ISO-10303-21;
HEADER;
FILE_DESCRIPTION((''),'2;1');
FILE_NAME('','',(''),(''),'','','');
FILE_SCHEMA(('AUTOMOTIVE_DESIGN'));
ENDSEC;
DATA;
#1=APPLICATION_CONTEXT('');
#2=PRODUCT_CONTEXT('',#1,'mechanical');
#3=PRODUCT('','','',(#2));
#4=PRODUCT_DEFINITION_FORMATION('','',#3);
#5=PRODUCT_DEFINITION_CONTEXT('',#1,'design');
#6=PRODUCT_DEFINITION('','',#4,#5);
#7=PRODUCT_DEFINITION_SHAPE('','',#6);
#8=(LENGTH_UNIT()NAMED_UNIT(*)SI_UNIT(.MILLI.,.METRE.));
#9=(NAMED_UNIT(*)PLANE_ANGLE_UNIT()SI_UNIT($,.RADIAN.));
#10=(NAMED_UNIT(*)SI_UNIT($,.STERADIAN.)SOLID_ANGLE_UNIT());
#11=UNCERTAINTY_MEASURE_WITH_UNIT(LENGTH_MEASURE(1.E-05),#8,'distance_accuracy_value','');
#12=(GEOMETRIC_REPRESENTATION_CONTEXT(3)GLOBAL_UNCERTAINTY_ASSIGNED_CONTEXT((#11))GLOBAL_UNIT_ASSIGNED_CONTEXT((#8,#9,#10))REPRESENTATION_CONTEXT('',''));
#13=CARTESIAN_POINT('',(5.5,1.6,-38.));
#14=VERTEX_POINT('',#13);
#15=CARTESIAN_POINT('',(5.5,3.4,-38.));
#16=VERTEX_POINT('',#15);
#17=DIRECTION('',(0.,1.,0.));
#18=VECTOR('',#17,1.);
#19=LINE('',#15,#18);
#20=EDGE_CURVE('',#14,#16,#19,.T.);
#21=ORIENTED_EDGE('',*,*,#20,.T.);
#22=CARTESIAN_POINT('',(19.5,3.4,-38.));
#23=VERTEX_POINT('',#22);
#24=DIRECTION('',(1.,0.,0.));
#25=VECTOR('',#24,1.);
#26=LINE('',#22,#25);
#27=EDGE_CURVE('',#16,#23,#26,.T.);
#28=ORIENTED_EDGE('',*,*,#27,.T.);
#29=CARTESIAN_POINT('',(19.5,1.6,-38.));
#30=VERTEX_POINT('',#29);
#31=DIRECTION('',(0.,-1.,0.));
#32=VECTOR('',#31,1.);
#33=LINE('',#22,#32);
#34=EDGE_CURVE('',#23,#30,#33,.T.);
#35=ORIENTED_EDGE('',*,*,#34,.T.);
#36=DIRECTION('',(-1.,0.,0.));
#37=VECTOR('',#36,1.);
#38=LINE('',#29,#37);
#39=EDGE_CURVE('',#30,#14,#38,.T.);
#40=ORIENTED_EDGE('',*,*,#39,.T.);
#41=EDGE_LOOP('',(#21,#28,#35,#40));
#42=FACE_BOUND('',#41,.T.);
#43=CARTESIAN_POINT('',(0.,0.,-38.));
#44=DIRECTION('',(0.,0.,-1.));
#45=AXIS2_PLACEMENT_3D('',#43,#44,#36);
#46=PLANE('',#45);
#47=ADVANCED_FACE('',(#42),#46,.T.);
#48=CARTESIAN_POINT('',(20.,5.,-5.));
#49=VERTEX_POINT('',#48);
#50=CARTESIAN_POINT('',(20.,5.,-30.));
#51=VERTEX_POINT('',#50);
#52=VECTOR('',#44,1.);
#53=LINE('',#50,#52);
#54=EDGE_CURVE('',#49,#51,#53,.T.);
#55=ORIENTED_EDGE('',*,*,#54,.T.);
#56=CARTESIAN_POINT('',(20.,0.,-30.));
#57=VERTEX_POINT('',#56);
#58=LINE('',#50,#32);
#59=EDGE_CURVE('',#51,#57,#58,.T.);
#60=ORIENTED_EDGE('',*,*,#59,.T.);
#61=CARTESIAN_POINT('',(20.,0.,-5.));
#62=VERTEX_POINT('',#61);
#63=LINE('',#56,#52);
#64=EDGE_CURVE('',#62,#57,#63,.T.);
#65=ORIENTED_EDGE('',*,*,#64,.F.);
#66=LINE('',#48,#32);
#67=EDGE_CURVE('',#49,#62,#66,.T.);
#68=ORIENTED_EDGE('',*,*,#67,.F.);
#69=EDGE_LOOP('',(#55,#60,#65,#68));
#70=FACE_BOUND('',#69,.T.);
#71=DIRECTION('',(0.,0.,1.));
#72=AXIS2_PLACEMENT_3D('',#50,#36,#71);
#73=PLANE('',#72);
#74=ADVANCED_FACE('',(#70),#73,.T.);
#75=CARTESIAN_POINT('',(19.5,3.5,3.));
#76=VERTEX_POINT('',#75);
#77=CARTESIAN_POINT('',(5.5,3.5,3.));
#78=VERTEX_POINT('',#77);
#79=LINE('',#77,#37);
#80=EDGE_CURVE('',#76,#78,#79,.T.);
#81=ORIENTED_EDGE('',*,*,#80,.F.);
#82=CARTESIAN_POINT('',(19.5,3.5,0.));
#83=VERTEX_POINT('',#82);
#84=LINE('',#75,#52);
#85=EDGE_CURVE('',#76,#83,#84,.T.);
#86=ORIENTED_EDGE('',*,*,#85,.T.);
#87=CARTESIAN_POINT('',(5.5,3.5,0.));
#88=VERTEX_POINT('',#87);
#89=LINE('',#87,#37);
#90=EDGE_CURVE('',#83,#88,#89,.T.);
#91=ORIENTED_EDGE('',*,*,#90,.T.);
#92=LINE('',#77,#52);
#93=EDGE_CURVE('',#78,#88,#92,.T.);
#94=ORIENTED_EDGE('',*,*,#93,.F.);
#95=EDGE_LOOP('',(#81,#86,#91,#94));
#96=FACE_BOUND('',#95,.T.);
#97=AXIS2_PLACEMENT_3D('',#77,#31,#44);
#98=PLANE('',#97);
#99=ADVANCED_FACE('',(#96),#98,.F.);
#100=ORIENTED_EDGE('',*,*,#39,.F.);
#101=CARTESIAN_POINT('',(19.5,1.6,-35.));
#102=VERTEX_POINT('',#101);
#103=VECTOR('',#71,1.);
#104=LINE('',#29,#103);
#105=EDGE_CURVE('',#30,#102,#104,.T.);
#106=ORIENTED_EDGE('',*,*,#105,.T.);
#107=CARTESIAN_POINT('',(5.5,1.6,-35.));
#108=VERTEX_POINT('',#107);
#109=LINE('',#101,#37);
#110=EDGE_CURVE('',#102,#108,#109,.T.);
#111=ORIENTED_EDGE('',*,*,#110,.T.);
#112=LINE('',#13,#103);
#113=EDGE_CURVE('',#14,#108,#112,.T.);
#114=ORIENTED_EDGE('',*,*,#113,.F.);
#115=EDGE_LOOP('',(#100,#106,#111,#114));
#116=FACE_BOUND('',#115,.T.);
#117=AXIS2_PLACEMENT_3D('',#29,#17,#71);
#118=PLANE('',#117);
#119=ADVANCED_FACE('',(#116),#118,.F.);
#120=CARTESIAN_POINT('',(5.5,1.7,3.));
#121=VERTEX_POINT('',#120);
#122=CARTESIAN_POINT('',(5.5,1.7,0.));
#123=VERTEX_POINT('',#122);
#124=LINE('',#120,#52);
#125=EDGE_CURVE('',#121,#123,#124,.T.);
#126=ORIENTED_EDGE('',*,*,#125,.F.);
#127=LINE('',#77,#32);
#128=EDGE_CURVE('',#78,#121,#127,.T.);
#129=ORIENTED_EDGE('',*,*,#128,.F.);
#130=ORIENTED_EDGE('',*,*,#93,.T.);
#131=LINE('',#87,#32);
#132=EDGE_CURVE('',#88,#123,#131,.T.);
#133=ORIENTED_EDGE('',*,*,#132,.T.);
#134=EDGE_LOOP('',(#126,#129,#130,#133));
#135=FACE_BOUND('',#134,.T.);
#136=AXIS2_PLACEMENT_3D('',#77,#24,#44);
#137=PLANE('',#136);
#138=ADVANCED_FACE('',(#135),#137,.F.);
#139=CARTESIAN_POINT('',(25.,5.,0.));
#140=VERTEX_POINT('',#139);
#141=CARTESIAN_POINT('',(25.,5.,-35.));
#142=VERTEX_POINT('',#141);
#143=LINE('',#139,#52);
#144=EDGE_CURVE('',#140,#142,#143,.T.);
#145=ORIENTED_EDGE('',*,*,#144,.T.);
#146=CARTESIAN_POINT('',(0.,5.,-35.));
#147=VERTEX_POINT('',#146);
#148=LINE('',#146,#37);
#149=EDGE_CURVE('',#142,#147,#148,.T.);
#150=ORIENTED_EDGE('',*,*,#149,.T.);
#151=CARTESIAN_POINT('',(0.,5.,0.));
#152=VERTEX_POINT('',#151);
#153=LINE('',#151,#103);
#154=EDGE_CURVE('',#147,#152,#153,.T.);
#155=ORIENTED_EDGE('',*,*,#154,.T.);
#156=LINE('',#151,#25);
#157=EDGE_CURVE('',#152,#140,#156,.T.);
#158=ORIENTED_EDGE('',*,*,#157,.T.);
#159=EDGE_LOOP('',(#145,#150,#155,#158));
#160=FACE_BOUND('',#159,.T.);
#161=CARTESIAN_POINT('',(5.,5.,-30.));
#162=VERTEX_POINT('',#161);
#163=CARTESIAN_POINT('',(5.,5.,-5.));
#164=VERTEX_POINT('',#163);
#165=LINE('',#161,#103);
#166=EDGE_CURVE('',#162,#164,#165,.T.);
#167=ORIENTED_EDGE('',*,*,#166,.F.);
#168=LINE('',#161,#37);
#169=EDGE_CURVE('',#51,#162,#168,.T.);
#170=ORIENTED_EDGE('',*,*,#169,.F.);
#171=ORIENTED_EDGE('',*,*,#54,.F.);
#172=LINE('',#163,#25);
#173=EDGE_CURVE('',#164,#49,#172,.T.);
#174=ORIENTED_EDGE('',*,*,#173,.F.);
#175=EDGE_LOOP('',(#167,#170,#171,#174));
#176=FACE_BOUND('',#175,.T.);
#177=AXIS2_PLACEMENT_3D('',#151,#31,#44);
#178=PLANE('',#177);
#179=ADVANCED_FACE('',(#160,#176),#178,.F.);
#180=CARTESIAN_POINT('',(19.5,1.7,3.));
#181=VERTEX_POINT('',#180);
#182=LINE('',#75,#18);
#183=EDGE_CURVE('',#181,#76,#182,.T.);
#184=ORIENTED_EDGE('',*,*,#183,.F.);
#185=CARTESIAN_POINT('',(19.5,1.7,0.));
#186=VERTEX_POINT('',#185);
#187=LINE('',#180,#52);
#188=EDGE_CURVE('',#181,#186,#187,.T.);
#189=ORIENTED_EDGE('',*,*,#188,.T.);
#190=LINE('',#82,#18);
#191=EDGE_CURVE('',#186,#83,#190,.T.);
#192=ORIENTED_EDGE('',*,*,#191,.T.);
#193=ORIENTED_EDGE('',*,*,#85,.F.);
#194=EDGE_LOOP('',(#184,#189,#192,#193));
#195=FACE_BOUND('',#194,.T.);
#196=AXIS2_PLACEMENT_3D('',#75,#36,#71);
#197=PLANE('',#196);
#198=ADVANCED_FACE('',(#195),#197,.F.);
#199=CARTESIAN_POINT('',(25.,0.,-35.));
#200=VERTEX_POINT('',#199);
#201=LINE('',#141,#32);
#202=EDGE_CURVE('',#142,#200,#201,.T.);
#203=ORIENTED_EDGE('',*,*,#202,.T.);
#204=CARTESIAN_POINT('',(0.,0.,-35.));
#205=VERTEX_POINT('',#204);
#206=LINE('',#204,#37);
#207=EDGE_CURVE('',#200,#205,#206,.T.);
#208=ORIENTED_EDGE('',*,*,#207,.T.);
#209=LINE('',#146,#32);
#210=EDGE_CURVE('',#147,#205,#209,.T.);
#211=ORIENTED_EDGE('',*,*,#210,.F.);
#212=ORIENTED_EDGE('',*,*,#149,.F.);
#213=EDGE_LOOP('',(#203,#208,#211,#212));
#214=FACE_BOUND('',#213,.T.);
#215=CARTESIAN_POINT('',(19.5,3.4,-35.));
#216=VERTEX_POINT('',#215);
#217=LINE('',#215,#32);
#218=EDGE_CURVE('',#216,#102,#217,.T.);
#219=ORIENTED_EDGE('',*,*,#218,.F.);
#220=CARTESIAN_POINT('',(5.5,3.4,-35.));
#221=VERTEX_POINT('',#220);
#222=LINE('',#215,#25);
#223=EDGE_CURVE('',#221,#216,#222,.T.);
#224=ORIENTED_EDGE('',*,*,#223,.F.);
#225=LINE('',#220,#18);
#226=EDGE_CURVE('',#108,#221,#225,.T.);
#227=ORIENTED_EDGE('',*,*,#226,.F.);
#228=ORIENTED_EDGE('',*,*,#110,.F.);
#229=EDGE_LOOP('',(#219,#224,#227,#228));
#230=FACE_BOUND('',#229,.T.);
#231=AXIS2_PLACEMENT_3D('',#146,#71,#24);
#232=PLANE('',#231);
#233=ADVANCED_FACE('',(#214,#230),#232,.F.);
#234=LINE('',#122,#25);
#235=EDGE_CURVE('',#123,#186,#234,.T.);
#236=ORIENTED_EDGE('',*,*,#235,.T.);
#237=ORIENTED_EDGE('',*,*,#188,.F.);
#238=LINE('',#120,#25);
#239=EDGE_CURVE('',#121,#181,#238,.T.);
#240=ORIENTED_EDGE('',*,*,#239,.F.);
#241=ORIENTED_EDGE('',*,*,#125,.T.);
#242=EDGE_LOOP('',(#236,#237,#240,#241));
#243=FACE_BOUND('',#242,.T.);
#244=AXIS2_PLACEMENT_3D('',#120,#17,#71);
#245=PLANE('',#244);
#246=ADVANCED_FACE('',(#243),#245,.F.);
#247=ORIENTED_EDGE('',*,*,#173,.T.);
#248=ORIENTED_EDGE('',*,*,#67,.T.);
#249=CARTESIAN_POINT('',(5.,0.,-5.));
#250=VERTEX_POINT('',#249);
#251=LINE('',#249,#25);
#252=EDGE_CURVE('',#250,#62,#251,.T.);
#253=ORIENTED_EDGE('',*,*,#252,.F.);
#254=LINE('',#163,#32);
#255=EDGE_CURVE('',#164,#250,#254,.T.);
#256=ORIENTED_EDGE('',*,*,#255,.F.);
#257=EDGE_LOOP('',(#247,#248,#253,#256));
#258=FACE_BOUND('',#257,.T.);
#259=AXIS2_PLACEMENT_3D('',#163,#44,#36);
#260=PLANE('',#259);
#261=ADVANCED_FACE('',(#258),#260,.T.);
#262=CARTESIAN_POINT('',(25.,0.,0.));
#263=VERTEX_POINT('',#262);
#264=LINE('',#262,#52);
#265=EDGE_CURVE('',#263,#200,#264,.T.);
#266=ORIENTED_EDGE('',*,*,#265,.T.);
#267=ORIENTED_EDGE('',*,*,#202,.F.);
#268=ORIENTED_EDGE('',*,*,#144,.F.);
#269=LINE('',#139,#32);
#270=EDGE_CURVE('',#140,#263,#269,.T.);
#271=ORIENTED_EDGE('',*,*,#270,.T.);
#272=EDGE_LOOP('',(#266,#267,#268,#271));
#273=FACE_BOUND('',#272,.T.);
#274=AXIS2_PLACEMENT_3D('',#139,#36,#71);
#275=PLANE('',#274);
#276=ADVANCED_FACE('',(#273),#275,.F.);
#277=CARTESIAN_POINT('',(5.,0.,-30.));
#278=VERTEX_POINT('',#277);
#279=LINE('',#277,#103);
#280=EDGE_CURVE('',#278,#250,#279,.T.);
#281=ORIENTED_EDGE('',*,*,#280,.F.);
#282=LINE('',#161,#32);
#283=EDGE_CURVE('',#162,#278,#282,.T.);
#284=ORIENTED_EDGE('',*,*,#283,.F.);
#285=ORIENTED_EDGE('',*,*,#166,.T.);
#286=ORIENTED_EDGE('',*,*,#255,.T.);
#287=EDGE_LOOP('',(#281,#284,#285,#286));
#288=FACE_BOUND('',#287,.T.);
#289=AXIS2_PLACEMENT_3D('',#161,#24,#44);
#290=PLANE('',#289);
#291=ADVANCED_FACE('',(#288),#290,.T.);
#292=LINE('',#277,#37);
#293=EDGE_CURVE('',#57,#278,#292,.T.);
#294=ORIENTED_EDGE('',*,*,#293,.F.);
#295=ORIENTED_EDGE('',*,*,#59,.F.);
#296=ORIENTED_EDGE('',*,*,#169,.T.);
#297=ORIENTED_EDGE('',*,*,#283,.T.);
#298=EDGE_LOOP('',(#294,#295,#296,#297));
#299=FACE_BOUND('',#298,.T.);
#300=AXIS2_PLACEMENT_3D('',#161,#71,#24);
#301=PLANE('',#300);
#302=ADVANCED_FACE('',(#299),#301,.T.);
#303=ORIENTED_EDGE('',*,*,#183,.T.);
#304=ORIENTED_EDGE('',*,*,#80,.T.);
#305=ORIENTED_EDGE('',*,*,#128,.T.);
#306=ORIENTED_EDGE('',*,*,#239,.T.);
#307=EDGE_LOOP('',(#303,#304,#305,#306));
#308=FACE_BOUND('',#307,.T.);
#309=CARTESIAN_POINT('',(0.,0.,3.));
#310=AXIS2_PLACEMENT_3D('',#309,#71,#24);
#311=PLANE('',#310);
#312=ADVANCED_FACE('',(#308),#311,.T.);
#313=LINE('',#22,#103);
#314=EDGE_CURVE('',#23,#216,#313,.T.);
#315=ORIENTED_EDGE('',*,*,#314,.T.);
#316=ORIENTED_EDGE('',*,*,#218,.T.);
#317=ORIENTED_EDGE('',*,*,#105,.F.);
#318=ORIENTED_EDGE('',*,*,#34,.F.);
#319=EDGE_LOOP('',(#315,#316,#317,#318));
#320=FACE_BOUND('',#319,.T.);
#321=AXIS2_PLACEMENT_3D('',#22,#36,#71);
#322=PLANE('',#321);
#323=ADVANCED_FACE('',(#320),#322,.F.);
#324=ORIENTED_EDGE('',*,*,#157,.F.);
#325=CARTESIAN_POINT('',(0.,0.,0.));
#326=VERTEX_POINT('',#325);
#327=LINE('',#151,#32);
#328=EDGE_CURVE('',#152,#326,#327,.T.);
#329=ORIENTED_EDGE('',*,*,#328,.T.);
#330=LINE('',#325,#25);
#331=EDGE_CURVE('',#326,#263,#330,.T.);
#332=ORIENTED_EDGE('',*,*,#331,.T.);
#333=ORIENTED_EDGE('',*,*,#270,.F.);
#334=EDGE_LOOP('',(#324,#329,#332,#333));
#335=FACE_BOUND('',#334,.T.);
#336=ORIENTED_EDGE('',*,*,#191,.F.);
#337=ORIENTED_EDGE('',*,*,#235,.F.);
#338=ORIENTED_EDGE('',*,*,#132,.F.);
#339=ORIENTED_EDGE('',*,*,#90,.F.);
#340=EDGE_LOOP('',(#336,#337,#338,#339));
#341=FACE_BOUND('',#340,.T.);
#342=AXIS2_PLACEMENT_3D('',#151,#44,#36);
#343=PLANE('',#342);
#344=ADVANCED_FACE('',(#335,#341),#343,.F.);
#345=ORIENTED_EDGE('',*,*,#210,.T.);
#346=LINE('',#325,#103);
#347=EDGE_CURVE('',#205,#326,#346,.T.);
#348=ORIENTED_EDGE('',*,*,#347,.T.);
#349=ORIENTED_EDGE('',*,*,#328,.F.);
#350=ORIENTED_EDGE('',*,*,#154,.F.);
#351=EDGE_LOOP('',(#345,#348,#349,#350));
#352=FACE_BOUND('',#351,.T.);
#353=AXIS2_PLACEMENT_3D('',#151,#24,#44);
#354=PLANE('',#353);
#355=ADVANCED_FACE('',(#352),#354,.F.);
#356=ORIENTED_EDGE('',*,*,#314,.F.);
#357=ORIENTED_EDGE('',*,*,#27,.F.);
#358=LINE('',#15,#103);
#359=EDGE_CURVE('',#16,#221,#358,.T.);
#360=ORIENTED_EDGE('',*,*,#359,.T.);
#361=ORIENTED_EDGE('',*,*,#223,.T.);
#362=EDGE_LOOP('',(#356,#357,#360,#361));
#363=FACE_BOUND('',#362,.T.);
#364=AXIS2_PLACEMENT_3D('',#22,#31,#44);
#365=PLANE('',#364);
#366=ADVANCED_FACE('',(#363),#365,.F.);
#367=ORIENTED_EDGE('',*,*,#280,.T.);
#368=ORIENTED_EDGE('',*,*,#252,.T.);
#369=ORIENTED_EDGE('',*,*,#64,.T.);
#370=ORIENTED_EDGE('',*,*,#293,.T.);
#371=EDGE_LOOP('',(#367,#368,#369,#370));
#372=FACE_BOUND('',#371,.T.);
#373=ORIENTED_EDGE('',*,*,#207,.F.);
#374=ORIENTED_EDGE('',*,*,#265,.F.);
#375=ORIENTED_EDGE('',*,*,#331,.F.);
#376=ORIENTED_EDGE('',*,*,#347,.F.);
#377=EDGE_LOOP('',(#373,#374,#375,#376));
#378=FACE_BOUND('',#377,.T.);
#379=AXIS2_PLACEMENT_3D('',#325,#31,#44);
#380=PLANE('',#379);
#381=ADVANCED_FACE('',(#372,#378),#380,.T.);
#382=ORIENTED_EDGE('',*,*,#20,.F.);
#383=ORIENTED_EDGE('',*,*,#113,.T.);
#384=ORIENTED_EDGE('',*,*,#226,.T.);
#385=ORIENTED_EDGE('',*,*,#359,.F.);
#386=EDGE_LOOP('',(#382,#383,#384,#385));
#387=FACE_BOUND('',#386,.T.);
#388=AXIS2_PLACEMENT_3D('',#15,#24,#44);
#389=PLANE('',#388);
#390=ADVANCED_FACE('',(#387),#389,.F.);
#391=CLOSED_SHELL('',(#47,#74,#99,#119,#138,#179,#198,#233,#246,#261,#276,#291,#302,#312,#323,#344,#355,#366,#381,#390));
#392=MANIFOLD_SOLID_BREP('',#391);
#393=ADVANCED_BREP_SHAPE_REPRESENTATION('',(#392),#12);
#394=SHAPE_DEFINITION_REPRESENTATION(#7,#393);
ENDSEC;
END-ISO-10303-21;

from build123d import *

# Parameters (mm, degrees)
SKETCH1_W           = 25
SKETCH1_H           = 35
SKETCH1_W_2         = 15
SKETCH1_H_2         = 25
BOSS_EXTRUDE1_DEPTH = 5
SKETCH2_W           = 14
SKETCH2_H           = 1.8
BOSS_EXTRUDE2_DEPTH = 3
SKETCH3_W           = 14
SKETCH3_H           = 1.8
BOSS_EXTRUDE3_DEPTH = 3


with BuildPart() as part:
    # Sketch1 → Boss-Extrude1 (new body)
    with BuildSketch(Plane(origin=(0, 0, 0), x_dir=(1, 0, 0), z_dir=(0, 1, 0))):
        with Locations((12.5, 17.5)):
            Rectangle(SKETCH1_W, SKETCH1_H)
        with Locations((12.5, 17.5)):
            Rectangle(SKETCH1_W_2, SKETCH1_H_2, mode=Mode.SUBTRACT)
    extrude(amount=BOSS_EXTRUDE1_DEPTH)

    # Sketch2 → Boss-Extrude2 (add)
    with BuildSketch(Plane.XY):
        with Locations((12.5, 2.6)):
            Rectangle(SKETCH2_W, SKETCH2_H)
    extrude(amount=BOSS_EXTRUDE2_DEPTH)

    # Sketch3 → Boss-Extrude3 (add)
    with BuildSketch(Plane(origin=(0, 0, -35), x_dir=(-1, 0, 0), z_dir=(0, 0, -1))):
        with Locations((-12.5, 2.5)):
            Rectangle(SKETCH3_W, SKETCH3_H)
    extrude(amount=BOSS_EXTRUDE3_DEPTH)


solid = part.part
